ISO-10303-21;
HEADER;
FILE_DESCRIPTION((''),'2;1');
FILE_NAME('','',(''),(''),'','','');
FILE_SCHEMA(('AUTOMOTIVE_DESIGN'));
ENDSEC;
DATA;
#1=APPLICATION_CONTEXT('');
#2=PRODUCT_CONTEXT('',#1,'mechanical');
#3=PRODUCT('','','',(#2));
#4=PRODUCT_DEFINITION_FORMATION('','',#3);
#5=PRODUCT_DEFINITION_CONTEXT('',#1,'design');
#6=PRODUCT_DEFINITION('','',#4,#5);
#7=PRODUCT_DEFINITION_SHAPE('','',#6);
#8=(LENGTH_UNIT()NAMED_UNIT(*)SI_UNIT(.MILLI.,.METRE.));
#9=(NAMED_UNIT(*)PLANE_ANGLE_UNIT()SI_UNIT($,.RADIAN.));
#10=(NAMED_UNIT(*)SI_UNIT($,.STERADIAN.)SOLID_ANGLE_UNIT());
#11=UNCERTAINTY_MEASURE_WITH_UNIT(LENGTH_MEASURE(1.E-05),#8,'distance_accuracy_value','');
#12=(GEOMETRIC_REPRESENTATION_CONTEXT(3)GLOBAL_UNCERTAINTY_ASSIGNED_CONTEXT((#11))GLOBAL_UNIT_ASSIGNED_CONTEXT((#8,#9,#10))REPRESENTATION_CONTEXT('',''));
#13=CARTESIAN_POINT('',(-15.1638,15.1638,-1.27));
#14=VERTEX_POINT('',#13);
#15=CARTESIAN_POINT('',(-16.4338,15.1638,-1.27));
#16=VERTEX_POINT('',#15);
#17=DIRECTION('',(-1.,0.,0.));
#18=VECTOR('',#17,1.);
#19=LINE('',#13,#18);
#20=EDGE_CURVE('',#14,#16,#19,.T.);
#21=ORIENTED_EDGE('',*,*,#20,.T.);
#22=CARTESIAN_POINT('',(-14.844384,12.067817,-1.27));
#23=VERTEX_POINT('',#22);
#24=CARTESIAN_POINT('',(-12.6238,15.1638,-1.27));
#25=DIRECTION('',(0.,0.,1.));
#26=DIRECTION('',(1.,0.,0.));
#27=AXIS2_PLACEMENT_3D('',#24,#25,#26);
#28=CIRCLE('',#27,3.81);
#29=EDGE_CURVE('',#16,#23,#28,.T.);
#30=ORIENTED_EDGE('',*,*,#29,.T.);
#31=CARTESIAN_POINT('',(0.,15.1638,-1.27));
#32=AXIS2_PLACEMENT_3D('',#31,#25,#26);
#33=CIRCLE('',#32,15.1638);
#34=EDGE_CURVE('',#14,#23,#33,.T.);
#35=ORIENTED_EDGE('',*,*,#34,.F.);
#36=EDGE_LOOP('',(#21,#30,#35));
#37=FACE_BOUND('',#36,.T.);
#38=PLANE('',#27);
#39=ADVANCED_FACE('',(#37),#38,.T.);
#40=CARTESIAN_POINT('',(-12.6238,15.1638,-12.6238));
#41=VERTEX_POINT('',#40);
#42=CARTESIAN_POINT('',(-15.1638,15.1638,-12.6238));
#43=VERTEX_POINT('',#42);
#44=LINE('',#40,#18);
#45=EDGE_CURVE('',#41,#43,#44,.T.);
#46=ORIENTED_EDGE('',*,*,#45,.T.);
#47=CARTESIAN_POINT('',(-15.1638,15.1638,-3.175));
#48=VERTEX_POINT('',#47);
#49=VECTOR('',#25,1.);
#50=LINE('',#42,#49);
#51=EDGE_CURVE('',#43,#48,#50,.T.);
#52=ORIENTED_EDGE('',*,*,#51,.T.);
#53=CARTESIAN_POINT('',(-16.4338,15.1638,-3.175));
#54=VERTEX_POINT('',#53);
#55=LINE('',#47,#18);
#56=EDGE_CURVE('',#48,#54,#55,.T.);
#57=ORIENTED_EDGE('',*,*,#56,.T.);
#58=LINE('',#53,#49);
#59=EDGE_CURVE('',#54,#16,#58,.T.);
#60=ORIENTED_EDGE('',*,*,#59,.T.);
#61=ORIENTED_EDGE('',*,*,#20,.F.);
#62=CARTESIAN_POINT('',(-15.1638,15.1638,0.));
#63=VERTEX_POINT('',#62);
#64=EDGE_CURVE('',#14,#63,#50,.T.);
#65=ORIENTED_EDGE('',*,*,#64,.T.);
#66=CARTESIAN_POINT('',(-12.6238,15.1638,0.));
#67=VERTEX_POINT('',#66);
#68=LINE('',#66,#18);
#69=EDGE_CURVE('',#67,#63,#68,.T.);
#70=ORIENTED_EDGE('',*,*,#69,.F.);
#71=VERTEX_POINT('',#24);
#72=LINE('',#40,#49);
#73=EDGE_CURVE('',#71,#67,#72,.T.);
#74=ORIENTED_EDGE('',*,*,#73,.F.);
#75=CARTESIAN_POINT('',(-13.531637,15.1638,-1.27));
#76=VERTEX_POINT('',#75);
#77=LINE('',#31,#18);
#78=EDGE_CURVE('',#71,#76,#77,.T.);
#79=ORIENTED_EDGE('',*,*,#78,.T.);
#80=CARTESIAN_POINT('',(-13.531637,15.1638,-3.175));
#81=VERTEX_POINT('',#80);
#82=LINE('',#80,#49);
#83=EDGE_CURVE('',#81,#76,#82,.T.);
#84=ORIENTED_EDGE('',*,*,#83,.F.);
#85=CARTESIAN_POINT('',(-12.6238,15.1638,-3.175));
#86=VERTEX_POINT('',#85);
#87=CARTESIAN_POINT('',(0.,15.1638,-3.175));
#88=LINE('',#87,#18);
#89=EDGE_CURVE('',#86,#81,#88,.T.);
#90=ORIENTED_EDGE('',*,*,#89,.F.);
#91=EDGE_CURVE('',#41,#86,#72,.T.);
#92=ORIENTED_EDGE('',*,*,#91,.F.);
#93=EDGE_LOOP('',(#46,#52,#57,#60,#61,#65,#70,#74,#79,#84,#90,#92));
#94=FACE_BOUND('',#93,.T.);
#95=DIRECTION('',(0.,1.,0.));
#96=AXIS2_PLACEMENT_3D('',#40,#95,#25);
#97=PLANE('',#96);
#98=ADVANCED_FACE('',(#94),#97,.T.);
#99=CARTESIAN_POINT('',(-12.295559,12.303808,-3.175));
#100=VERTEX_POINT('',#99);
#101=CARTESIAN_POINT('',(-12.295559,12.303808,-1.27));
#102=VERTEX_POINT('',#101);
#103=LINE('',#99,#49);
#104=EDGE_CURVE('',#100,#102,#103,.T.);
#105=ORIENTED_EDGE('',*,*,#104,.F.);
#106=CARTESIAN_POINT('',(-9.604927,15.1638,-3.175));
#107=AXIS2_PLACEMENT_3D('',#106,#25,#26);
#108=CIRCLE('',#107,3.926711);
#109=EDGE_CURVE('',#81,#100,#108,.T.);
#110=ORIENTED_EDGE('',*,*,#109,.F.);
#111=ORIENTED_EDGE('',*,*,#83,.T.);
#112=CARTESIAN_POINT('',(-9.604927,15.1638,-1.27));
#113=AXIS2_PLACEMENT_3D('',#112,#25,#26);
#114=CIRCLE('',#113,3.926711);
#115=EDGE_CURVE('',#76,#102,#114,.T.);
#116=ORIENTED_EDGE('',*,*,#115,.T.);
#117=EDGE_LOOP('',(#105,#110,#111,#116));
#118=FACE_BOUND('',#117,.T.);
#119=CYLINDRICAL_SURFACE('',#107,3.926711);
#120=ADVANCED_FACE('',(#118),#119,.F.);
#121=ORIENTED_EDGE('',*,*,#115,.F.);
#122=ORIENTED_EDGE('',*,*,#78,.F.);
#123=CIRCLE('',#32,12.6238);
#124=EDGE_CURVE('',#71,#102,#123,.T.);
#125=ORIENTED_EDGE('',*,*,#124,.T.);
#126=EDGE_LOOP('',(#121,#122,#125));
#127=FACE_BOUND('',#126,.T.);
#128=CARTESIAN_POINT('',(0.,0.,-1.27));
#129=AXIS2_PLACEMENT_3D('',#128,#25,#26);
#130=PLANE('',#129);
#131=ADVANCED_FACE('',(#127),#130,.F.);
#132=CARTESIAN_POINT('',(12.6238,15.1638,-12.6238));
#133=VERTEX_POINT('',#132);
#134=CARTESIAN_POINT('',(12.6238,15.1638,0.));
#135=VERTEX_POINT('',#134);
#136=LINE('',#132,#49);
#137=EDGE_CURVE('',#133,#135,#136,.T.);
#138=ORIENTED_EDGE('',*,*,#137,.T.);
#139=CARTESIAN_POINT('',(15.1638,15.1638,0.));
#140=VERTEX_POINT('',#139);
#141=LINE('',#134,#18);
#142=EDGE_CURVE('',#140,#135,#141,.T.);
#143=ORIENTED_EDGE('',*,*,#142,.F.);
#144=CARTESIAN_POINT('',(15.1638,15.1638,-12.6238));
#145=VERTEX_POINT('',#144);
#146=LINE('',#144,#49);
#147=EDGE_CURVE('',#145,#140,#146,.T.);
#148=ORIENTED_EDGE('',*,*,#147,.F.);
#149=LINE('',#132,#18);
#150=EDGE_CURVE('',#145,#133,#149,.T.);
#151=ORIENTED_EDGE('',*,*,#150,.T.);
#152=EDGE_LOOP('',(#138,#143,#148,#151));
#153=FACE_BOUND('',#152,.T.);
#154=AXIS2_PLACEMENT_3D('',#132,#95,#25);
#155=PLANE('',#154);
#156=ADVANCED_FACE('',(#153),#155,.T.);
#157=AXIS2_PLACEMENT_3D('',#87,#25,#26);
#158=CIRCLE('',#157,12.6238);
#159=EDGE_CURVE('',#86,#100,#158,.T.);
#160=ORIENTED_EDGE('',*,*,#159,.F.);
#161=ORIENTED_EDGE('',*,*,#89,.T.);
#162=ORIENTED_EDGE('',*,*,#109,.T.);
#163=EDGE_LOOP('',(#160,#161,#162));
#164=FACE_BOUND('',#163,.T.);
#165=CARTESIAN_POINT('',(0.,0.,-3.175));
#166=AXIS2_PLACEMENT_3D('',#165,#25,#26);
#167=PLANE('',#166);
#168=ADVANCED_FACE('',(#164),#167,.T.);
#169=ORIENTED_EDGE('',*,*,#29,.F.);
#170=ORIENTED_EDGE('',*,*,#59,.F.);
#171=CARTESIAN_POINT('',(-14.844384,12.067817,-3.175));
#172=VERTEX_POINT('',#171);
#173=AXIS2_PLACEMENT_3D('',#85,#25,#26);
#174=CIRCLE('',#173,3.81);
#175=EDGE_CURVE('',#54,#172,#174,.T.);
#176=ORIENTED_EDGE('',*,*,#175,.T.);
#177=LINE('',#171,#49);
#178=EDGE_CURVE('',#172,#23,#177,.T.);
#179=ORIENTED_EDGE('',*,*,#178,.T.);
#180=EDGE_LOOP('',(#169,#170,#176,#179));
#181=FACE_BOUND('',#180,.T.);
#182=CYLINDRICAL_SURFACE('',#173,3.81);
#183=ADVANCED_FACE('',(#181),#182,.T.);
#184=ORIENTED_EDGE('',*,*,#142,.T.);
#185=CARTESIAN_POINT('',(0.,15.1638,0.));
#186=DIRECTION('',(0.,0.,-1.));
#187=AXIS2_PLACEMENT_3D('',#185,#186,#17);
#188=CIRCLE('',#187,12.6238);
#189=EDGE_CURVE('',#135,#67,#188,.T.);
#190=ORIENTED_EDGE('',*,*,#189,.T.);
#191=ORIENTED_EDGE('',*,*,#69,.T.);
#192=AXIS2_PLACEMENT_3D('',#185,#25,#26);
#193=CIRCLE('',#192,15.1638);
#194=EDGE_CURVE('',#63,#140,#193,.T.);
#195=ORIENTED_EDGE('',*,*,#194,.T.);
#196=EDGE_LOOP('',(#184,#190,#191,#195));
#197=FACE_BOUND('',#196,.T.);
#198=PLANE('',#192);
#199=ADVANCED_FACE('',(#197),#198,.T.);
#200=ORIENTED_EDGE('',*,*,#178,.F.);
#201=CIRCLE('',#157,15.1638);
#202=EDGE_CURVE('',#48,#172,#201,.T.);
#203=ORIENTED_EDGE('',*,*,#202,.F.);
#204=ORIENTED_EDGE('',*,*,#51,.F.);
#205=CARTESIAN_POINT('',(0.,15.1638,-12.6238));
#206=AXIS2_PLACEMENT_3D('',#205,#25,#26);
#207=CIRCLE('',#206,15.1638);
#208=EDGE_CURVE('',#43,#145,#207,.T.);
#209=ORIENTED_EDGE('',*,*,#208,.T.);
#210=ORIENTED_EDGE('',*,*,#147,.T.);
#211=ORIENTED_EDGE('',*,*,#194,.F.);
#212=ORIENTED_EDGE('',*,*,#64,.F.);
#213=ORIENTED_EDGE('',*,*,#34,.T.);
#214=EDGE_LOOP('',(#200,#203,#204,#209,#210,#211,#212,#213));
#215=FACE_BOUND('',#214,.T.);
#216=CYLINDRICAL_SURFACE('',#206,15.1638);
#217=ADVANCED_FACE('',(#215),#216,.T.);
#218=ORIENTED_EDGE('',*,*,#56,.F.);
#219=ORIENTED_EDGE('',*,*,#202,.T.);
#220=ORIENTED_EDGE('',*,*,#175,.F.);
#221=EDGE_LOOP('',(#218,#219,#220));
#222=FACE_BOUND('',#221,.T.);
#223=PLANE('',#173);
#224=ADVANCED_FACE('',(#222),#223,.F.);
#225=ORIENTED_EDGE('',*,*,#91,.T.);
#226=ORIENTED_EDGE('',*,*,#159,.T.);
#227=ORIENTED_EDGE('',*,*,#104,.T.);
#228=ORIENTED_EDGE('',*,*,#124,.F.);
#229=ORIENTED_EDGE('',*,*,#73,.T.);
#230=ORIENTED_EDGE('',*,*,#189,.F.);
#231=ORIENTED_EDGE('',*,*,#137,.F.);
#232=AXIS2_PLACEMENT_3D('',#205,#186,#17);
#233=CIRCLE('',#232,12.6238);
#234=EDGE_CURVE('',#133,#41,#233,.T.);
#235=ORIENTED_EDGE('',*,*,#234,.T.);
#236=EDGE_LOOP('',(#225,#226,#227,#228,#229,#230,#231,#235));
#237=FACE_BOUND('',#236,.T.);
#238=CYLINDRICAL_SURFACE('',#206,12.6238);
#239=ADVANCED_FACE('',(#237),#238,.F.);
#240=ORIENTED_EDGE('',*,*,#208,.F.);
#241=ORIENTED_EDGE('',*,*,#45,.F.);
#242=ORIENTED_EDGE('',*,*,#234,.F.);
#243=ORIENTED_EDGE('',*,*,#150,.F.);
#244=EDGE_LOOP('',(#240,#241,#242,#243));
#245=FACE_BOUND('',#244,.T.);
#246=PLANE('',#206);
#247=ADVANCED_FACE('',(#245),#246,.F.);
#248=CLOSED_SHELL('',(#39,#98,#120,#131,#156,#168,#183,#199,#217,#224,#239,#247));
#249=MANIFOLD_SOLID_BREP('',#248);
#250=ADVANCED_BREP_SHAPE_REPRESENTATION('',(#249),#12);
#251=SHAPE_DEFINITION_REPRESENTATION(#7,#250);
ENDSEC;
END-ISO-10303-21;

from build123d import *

# Parameters (mm, degrees)
BOSS_EXTRUDE1_DEPTH = 12.6238
BOSS_EXTRUDE2_DEPTH = 1.905
CUT_EXTRUDE2_DEPTH  = 1.905


with BuildPart() as part:
    # Sketch1 → Boss-Extrude1 (new body)
    with BuildSketch(Plane.XY):
        with BuildLine():
            Line((-12.6238, 15.1638), (-15.1638, 15.1638))
            ThreePointArc((-15.1638, 15.1638), (0, 0), (15.1638, 15.1638))
            Line((15.1638, 15.1638), (12.6238, 15.1638))
            ThreePointArc((12.6238, 15.1638), (0, 2.54), (-12.6238, 15.1638))
        make_face()
    extrude(amount=-BOSS_EXTRUDE1_DEPTH)

    # Sketch5 → Boss-Extrude2 (add)
    with BuildSketch(Plane.XY.offset(-1.27)):
        with BuildLine():
            Line((-15.1638, 15.1638), (-16.4338, 15.1638))
            ThreePointArc((-16.4338, 15.1638), (-16.013233813, 13.423731487), (-14.844383501, 12.067817294))
            ThreePointArc((-14.844383501, 12.067817294), (-15.083734501, 13.607591803), (-15.1638, 15.1638))
        make_face()
    extrude(amount=-BOSS_EXTRUDE2_DEPTH)

    # Sketch6 → Cut-Extrude2 (cut)
    with BuildSketch(Plane.XY.offset(-1.27)):
        with BuildLine():
            Line((-12.6238, 15.1638), (-13.53163737, 15.1638))
            ThreePointArc((-13.53163737, 15.1638), (-13.209395554, 13.605961457), (-12.29555905, 12.303808027))
            ThreePointArc((-12.29555905, 12.303808027), (-12.541471301, 13.724416781), (-12.6238, 15.1638))
        make_face()
    extrude(amount=-CUT_EXTRUDE2_DEPTH, mode=Mode.SUBTRACT)


solid = part.part
